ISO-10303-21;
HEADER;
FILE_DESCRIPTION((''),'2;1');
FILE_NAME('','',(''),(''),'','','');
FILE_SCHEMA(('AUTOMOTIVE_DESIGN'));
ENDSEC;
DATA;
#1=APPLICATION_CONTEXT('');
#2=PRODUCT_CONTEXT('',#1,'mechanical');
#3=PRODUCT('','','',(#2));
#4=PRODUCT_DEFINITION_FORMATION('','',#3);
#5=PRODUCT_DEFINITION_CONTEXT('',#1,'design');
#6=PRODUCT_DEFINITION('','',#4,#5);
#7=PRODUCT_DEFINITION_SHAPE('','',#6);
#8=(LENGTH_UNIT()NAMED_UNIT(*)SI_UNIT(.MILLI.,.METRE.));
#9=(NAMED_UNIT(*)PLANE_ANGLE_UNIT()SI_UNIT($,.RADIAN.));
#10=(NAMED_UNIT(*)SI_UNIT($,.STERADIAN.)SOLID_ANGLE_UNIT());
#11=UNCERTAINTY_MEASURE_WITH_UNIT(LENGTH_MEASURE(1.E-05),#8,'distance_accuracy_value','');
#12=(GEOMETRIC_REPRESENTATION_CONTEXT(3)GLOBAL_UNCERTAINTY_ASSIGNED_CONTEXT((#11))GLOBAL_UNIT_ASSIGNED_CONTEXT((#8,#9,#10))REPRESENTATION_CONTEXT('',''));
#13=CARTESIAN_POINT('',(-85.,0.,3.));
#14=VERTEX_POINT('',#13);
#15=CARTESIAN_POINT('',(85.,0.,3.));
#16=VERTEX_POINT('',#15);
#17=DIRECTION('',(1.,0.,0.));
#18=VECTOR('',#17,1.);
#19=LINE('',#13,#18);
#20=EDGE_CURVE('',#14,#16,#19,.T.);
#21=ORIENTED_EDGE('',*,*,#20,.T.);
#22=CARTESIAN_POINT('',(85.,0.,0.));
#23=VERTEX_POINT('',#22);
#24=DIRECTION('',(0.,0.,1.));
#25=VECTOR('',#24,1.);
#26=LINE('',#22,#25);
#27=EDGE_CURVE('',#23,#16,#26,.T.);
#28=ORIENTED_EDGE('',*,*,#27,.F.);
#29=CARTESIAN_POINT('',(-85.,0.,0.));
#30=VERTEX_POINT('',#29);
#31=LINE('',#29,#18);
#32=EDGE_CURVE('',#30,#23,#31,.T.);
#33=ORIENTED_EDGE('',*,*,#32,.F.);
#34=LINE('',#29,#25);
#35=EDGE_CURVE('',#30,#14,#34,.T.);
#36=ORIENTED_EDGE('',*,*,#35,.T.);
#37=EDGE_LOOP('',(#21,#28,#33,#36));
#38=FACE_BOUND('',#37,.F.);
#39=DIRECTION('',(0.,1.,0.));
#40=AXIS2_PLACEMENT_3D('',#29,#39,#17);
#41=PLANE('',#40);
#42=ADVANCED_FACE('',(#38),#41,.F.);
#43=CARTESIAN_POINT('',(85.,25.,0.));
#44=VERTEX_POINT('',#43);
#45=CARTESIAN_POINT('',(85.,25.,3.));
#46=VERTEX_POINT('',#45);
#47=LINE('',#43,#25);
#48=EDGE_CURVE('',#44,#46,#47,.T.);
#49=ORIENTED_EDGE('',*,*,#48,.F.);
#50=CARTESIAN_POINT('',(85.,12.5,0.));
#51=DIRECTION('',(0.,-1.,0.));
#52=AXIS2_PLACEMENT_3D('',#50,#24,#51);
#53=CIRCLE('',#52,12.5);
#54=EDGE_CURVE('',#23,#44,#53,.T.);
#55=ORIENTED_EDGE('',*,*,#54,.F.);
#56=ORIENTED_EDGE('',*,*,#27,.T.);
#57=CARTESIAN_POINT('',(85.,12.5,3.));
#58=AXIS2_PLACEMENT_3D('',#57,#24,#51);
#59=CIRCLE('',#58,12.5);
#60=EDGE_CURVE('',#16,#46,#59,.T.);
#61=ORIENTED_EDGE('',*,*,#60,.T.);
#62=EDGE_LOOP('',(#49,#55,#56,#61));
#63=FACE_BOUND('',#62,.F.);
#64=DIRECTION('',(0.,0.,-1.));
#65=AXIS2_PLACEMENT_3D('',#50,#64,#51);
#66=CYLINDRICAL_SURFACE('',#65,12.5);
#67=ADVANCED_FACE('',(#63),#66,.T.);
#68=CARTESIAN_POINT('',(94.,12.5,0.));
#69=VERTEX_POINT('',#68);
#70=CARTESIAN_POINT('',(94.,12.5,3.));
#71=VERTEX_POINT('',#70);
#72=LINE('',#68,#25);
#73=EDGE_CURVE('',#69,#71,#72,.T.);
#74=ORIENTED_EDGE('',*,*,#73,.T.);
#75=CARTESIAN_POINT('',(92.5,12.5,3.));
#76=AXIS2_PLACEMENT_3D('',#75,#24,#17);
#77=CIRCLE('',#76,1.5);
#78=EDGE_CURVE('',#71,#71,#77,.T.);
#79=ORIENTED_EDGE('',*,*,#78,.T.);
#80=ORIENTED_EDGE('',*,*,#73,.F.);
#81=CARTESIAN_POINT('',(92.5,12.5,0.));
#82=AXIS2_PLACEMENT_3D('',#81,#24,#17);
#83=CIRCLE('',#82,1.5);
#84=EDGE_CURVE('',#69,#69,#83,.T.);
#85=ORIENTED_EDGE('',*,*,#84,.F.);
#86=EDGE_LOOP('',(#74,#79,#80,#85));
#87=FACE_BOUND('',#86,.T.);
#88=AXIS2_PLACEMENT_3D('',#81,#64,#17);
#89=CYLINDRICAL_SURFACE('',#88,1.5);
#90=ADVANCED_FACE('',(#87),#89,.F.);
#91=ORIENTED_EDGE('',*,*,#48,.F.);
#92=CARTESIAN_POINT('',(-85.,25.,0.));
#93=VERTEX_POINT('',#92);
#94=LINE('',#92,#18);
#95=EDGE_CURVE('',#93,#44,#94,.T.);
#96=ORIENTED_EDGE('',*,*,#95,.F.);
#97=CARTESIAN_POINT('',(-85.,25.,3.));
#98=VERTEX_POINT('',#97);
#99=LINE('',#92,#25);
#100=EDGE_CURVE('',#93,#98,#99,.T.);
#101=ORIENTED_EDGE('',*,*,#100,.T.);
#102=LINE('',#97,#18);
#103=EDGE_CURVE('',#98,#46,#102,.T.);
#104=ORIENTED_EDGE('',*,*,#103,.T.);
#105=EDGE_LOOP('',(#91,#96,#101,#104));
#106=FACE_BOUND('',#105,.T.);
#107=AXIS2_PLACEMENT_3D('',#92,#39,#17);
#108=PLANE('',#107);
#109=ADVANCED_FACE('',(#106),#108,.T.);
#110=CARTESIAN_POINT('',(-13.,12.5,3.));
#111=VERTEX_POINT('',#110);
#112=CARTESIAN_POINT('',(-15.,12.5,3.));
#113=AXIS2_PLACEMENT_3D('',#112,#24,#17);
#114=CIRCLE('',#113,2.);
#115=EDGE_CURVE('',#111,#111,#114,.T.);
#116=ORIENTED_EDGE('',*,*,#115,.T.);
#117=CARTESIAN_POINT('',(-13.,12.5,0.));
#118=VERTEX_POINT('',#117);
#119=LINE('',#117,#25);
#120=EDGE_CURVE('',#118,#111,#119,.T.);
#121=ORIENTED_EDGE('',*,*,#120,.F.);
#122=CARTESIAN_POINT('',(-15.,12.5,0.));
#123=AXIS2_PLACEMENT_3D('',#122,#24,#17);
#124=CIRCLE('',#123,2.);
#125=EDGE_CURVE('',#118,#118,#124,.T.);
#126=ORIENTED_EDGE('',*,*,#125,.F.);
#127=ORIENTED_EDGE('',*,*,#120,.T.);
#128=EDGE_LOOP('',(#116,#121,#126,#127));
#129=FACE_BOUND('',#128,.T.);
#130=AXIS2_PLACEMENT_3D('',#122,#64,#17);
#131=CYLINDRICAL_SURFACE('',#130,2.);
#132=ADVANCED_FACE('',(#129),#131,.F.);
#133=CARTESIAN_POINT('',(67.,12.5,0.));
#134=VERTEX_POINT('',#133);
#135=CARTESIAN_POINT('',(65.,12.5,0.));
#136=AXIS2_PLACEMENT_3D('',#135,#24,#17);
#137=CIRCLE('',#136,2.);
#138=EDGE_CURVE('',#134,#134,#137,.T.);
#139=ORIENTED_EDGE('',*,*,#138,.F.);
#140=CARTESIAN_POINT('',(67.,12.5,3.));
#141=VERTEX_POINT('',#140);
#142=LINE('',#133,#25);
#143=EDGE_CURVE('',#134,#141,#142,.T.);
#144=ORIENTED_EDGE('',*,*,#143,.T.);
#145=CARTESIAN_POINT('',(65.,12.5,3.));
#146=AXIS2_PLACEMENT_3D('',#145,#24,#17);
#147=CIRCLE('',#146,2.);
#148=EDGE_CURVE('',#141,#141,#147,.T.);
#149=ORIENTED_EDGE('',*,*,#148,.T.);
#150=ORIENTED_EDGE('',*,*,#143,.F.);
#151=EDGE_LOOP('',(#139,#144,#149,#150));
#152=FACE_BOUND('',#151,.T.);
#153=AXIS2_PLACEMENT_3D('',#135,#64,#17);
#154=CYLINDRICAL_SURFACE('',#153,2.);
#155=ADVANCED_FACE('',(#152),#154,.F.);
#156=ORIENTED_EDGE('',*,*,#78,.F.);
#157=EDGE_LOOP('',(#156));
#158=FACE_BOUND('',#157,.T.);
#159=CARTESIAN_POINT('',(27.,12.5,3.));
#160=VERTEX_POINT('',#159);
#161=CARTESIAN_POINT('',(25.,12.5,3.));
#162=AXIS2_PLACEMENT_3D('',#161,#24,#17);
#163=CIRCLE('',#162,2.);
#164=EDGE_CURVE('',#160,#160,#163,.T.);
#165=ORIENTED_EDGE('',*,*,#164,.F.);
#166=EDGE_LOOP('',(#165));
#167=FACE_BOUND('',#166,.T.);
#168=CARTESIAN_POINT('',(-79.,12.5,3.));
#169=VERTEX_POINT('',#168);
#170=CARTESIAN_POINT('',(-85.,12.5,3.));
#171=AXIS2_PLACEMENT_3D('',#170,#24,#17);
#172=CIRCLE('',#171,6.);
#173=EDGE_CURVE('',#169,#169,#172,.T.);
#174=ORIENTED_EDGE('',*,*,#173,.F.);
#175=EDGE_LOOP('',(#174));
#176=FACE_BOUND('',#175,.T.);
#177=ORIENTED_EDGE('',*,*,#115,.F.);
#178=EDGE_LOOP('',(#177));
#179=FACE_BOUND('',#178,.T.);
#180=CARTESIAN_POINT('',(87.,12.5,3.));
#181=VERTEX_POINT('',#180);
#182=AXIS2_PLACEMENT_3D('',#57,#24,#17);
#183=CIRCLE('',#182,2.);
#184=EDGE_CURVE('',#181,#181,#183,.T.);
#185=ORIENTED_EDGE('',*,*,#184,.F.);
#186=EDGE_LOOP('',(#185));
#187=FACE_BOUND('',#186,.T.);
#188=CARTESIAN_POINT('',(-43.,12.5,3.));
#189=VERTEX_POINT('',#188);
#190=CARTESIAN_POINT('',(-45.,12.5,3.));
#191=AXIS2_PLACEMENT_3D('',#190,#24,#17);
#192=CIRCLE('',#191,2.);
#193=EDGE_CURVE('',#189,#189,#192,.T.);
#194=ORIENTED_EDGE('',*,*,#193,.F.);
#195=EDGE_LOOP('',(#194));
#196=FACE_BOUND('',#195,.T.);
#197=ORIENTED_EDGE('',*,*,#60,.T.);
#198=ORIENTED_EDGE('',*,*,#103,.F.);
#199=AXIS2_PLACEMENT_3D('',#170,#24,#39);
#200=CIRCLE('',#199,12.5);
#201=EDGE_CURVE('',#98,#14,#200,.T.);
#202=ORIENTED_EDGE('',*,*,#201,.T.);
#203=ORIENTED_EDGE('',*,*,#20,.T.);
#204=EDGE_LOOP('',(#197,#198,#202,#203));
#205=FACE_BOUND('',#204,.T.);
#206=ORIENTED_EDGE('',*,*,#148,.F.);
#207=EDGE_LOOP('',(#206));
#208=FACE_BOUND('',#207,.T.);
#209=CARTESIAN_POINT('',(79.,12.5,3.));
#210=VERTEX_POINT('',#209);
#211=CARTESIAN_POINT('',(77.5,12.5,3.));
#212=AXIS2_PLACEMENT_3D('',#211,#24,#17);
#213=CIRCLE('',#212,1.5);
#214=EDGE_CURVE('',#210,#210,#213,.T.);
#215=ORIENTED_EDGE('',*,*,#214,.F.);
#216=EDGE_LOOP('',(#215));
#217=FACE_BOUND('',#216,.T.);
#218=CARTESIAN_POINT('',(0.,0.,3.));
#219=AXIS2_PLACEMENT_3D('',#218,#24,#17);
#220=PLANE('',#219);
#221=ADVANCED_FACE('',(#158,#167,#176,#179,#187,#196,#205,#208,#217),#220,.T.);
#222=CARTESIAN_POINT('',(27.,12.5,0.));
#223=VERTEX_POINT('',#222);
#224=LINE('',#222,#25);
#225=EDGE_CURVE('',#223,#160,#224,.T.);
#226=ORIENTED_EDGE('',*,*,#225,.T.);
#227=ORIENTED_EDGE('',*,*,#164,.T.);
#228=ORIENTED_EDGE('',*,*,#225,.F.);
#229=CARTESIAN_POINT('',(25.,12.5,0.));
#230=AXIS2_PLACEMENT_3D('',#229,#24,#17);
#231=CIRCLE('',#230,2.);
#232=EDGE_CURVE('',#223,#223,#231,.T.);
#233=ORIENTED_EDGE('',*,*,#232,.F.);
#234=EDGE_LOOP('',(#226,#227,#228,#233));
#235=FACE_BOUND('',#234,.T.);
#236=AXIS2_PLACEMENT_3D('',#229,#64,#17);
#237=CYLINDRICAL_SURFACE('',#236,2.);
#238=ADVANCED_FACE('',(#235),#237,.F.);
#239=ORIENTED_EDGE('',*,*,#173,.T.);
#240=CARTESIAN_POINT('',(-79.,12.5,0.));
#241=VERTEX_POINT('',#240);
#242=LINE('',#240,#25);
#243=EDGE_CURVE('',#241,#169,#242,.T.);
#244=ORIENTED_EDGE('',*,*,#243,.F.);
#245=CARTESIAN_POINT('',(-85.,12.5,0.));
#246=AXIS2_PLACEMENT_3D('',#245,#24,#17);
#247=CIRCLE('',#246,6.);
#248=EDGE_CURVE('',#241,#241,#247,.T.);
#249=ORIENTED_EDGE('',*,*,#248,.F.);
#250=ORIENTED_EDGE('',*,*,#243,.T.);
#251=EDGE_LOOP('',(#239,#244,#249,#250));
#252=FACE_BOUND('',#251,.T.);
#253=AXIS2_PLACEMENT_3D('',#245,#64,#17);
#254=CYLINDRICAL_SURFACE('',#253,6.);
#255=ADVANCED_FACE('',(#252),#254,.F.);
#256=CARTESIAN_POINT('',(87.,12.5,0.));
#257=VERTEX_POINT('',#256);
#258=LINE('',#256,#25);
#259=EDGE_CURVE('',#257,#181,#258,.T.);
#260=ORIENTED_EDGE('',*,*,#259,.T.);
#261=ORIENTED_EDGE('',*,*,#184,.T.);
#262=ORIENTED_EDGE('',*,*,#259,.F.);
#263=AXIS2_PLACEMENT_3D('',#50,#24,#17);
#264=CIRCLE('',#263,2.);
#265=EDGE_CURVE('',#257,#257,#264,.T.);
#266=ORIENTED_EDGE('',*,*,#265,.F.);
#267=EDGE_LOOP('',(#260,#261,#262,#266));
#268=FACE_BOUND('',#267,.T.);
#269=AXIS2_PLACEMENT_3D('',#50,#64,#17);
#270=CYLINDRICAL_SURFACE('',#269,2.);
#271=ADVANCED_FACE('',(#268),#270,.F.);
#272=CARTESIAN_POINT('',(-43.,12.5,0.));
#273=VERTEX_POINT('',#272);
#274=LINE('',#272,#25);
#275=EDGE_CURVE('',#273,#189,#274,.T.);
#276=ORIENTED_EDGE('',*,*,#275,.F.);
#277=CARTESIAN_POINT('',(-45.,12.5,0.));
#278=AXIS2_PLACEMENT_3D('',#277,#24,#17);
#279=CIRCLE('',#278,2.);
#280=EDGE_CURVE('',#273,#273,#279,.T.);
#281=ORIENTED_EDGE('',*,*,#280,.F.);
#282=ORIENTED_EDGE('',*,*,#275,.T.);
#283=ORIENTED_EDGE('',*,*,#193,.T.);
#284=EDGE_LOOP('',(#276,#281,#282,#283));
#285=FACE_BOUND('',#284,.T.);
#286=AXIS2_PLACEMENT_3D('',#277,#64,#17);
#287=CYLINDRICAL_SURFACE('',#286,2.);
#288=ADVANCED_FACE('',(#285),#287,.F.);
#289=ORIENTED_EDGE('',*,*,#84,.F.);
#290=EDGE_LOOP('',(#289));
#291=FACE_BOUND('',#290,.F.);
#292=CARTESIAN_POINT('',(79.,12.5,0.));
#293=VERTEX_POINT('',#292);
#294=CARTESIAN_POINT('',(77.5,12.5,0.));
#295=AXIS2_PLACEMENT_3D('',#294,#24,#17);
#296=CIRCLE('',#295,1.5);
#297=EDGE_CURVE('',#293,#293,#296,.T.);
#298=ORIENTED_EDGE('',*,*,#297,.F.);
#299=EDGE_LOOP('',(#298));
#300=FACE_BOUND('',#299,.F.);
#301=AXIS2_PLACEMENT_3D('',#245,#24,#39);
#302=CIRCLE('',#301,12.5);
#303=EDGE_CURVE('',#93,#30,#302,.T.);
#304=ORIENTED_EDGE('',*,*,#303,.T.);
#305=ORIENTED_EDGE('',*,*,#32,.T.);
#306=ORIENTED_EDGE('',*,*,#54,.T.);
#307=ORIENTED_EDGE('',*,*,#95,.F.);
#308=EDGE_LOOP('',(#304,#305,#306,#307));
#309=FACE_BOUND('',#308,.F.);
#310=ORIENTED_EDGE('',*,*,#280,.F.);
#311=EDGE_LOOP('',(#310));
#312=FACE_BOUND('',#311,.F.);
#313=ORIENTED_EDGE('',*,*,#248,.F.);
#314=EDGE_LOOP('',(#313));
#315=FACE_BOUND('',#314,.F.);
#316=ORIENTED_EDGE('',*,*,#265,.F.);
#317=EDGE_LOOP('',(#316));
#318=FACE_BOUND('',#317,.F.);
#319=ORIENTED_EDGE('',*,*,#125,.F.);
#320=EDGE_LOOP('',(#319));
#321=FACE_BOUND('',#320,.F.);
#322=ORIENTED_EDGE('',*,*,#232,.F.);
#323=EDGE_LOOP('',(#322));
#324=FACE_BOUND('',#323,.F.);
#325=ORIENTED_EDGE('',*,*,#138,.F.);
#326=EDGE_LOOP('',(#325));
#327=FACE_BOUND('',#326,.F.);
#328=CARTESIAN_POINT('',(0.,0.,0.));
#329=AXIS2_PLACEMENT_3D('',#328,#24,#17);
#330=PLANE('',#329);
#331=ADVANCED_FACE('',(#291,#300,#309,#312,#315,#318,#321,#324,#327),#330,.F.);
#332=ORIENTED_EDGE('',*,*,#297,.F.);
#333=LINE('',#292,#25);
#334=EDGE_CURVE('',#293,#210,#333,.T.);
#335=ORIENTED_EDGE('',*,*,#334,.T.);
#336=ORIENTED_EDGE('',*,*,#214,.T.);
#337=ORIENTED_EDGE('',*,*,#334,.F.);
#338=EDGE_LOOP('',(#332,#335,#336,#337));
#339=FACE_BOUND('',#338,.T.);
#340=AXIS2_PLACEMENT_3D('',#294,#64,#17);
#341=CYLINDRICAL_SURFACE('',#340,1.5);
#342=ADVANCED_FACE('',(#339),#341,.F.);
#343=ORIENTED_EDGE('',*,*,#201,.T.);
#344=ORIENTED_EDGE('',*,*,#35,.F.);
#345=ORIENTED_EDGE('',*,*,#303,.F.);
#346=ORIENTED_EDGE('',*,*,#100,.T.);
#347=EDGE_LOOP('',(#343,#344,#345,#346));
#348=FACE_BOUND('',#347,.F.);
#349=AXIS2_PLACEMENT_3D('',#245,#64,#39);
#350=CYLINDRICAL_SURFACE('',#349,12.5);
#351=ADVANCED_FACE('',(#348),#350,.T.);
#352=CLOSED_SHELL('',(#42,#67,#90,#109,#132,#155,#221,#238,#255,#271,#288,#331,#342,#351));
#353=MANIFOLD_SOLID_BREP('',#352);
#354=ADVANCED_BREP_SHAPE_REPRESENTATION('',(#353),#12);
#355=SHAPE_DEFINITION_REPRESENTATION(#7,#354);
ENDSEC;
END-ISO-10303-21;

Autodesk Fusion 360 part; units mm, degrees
sketch "Boceto1" plane through (0, 0, 0) normal (0, 0, 1) x (1, 0, 0)
  line L0 (-85, 0) -> (85, 0)
  line L1 (-85, 25) -> (85, 25)
  line L2 (-85, 0) -> (-85, 25) construction
  line L3 (-85, 12.5) -> (85, 12.5) construction
  circle A0 centre (85, 12.5) radius 2
  arc A1 (85, 0) -> (85, 25) centre (85, 12.5) ccw
  arc A2 (-85, 25) -> (-85, 0) centre (-85, 12.5) ccw
  circle A3 centre (-85, 12.5) radius 6
  circle A4 centre (-45, 12.5) radius 2
  circle A5 centre (-15, 12.5) radius 2
  circle A6 centre (25, 12.5) radius 2
  circle A7 centre (65, 12.5) radius 2
  line L4 (85, 12.5) -> (97.5, 12.5) construction
  circle A8 centre (92.5, 12.5) radius 1.5
  circle A9 centre (77.5, 12.5) radius 1.5
  point P0 (-85, 12.5)
  dimension "d1" = 170
  dimension "d2" = 170
  dimension "d3" = 25
  dimension "d5" = 12.5
  dimension "d6" = 4
  dimension "d8" = 12
  dimension "d9" = 4
  dimension "d10" = 40
  dimension "d11" = 4
  dimension "d12" = 4
  dimension "d13" = 30
  dimension "d14" = 40
  dimension "d15" = 4
  dimension "d16" = 40
  dimension "d17" = 3
  dimension "d18" = 7.5
  dimension "d19" = 3
  dimension "d20" = 7.5
extrude "Extruir1" add sketch "Boceto1" along normal blind 3
